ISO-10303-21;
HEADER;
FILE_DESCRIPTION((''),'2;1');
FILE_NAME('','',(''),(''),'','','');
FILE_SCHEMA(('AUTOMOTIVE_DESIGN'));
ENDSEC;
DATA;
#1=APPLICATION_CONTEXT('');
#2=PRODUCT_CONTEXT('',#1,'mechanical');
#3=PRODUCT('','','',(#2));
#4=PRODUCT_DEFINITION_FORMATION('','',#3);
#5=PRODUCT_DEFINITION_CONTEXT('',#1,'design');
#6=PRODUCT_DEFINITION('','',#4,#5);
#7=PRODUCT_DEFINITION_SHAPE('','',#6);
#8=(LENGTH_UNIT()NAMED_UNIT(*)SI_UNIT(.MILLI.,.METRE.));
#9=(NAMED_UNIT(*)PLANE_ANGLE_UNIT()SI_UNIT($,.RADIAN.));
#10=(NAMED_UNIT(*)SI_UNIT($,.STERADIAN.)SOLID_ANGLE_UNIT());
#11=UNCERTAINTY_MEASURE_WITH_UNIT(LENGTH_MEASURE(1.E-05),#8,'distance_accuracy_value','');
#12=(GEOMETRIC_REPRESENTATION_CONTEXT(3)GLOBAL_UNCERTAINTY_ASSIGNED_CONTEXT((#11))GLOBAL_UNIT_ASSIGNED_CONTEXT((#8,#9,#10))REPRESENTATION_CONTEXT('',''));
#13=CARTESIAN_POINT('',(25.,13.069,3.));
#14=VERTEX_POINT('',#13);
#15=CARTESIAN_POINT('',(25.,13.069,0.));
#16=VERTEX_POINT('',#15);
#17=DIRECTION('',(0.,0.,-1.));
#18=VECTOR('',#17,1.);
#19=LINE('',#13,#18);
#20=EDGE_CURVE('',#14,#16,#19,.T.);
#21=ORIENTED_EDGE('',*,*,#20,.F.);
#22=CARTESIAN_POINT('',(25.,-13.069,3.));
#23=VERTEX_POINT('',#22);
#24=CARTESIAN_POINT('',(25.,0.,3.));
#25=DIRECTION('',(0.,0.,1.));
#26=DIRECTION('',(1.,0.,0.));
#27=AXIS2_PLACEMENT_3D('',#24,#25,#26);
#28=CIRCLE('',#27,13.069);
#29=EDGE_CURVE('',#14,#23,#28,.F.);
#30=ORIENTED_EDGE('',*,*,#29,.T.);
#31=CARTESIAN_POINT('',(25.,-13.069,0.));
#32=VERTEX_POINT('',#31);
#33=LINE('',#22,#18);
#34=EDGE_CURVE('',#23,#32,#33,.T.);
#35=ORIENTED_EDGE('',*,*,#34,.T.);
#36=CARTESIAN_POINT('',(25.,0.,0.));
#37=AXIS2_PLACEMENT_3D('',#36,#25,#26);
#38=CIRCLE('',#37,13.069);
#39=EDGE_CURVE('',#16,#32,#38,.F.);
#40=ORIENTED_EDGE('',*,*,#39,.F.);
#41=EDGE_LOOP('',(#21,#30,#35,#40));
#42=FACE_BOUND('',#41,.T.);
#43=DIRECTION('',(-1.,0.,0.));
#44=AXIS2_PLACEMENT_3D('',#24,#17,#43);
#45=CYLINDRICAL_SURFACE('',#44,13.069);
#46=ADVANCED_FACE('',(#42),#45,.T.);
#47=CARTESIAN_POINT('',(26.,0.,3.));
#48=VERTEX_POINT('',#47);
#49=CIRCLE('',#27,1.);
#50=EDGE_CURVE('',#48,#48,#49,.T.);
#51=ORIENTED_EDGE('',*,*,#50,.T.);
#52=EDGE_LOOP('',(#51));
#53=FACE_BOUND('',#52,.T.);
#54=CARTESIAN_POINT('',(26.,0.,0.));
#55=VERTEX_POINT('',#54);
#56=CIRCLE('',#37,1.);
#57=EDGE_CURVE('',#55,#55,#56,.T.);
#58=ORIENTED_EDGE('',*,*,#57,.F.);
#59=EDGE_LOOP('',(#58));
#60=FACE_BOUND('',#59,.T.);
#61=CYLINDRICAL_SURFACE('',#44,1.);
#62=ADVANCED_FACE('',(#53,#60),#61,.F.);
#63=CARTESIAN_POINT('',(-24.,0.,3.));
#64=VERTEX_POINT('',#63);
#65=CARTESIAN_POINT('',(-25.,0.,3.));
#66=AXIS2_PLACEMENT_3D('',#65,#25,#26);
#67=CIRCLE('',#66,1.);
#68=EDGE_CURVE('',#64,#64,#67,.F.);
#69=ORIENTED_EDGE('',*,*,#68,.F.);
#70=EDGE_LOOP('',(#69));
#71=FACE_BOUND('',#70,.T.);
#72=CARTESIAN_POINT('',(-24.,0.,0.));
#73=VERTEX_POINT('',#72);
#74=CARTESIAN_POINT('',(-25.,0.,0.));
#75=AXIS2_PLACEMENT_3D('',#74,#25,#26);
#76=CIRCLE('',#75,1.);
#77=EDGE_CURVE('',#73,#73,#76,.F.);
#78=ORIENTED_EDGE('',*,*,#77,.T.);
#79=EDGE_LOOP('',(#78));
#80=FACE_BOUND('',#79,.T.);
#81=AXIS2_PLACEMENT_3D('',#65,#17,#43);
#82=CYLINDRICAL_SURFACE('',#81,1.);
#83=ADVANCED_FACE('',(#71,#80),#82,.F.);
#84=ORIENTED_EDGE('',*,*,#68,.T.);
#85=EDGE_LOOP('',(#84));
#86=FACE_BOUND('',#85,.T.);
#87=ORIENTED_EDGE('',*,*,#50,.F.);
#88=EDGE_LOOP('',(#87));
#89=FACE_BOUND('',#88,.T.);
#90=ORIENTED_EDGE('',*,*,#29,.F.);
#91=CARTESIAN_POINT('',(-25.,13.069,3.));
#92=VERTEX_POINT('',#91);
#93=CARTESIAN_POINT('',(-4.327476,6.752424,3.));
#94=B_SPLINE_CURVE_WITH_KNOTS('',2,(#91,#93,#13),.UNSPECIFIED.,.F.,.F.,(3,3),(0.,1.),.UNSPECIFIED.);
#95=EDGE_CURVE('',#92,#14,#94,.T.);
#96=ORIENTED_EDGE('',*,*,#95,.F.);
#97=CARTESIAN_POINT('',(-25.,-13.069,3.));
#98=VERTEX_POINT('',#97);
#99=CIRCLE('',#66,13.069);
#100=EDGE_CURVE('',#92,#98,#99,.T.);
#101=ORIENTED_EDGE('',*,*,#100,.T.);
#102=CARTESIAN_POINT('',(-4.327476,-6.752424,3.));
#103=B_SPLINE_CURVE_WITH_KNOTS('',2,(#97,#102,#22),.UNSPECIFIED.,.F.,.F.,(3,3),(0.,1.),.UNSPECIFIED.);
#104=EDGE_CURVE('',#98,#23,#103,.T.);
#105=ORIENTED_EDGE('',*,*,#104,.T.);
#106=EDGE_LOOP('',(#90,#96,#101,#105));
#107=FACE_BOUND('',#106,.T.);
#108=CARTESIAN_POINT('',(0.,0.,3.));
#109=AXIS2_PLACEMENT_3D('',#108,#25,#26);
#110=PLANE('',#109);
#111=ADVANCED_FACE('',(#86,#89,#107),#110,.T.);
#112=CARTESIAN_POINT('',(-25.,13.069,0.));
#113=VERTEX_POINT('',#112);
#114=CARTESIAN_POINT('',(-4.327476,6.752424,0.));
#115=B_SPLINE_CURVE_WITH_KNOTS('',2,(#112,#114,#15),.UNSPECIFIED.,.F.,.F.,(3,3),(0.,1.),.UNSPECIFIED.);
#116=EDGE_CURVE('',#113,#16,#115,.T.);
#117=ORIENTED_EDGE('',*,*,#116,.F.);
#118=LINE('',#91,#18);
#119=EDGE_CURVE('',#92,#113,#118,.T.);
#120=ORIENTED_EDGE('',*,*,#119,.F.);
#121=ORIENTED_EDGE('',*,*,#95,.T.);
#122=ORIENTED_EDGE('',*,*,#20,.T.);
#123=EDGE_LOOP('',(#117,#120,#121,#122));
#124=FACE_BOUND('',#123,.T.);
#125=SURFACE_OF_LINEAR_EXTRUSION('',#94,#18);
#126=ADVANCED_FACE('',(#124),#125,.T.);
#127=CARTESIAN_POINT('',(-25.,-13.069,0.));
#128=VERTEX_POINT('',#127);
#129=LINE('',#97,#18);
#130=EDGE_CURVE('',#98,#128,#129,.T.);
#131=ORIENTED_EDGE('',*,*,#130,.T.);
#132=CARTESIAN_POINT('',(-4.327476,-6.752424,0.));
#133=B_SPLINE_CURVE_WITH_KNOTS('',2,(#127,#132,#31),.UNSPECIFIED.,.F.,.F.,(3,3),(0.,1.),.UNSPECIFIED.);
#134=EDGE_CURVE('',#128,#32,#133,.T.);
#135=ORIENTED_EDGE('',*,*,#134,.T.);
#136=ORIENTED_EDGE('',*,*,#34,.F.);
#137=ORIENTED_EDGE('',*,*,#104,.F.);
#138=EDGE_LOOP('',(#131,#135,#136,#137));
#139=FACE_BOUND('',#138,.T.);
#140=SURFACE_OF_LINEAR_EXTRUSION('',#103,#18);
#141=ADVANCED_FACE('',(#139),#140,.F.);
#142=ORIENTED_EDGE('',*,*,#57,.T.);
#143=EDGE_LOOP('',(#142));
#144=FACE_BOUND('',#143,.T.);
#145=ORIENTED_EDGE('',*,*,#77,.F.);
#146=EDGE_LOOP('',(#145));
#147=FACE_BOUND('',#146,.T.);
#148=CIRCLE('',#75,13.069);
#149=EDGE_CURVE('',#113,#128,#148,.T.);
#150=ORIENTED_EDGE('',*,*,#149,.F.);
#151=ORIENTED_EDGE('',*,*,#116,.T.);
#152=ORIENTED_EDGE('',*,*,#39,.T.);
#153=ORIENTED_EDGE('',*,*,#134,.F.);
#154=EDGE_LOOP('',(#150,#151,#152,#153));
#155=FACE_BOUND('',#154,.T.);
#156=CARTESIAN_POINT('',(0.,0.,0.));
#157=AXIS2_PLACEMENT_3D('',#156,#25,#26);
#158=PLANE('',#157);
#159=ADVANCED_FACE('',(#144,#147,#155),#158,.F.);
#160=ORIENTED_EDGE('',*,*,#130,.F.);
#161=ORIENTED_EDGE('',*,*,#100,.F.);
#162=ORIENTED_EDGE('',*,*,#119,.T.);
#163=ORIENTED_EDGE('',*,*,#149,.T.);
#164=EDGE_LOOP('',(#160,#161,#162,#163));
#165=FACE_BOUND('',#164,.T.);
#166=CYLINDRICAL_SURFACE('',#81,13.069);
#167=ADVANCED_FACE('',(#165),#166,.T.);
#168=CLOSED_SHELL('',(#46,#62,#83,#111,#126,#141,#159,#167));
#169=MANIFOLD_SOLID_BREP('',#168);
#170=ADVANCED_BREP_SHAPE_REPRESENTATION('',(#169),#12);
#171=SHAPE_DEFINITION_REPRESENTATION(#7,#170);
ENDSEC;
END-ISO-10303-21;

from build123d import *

# Parameters (mm, degrees)
SKETCH1_R           = 1
BOSS_EXTRUDE1_DEPTH = 3


with BuildPart() as part:
    # Sketch1 → Boss-Extrude1 (new body)
    # profile 1 of 6: a face of its own
    with BuildSketch(Plane.XY):
        with BuildLine():
            ThreePointArc((-24.781290204, -3.3929583), (-28.4, 0), (-24.781290204, 3.3929583))
            Line((-24.781290204, 3.3929583), (-12.188441083, 2.581224344))
            ThreePointArc((-12.188441083, 2.581224344), (-14.492522891, 7.771208774), (-18.780288742, 11.494083385))
            add(Edge.make_bspline(
                [(-25, 13.069), (-21.982355601, 12.146946089), (-18.780288742, 11.494083385)],
                knots=[0, 0, 0, 0.145973682, 0.145973682, 0.145973682], degree=2))
            ThreePointArc((-25, 13.069), (-38.069, 0), (-25, -13.069))
            add(Edge.make_bspline(
                [(-25, -13.069), (-21.982355601, -12.146946089), (-18.780288742, -11.494083385)],
                knots=[0, 0, 0, 0.145973682, 0.145973682, 0.145973682], degree=2))
            ThreePointArc((-18.780288742, -11.494083385), (-14.492522891, -7.771208774), (-12.188441083, -2.581224344))
            Line((-12.188441083, -2.581224344), (-24.781290204, -3.3929583))
        make_face()
    # profile 2 of 6: a face of its own
    with BuildSketch(Plane.XY):
        with BuildLine():
            ThreePointArc((-18.780288742, 11.494083385), (-14.492522891, 7.771208774), (-12.188441083, 2.581224344))
            Line((-12.188441083, 2.581224344), (-3.107347179, 1.995857823))
            ThreePointArc((-3.107347179, 1.995857823), (-1.236, 0), (-3.107347179, -1.995857823))
            Line((-3.107347179, -1.995857823), (-12.188441083, -2.581224344))
            ThreePointArc((-12.188441083, -2.581224344), (-14.492522891, -7.771208774), (-18.780288742, -11.494083385))
            add(Edge.make_bspline(
                [(-18.780288742, -11.494083385), (-1.944343038, -8.061437688), (19.989933944, -12.070542619)],
                knots=[0.145973682, 0.145973682, 0.145973682, 0.91347951, 0.91347951, 0.91347951], degree=2))
            ThreePointArc((19.989933944, -12.070542619), (14.904735293, -8.299662132), (12.188441083, -2.581224344))
            Line((12.188441083, -2.581224344), (3.107347179, -1.995857823))
            ThreePointArc((3.107347179, -1.995857823), (1.236, 0), (3.107347179, 1.995857823))
            Line((3.107347179, 1.995857823), (12.188441083, 2.581224344))
            ThreePointArc((12.188441083, 2.581224344), (14.904735293, 8.299662132), (19.989933944, 12.070542619))
            add(Edge.make_bspline(
                [(-18.780288742, 11.494083385), (-1.944343038, 8.061437688), (19.989933944, 12.070542619)],
                knots=[0.145973682, 0.145973682, 0.145973682, 0.91347951, 0.91347951, 0.91347951], degree=2))
        make_face()
    # profile 3 of 6: a face of its own
    with BuildSketch(Plane.XY):
        with BuildLine():
            add(Edge.make_bspline(
                [(19.989933944, 12.070542619), (22.462572371, 12.522486712), (25, 13.069)],
                knots=[0.91347951, 0.91347951, 0.91347951, 1, 1, 1], degree=2))
            ThreePointArc((19.989933944, 12.070542619), (14.904735293, 8.299662132), (12.188441083, 2.581224344))
            Line((12.188441083, 2.581224344), (24.781290204, 3.3929583))
            ThreePointArc((24.781290204, 3.3929583), (28.4, 0), (24.781290204, -3.3929583))
            Line((24.781290204, -3.3929583), (12.188441083, -2.581224344))
            ThreePointArc((12.188441083, -2.581224344), (14.904735293, -8.299662132), (19.989933944, -12.070542619))
            add(Edge.make_bspline(
                [(19.989933944, -12.070542619), (22.462572371, -12.522486712), (25, -13.069)],
                knots=[0.91347951, 0.91347951, 0.91347951, 1, 1, 1], degree=2))
            ThreePointArc((25, -13.069), (34.241178523, -9.241178523), (38.069, 0))
            ThreePointArc((38.069, 0), (34.241178523, 9.241178523), (25, 13.069))
        make_face()
    # profile 4 of 6: a face of its own
    with BuildSketch(Plane.XY):
        with BuildLine():
            Line((24.781290204, 3.3929583), (12.188441083, 2.581224344))
            ThreePointArc((12.188441083, 2.581224344), (11.931, 0), (12.188441083, -2.581224344))
            Line((12.188441083, -2.581224344), (24.781290204, -3.3929583))
            ThreePointArc((24.781290204, -3.3929583), (28.4, 0), (24.781290204, 3.3929583))
        make_face()
        with Locations((25, 0)):
            Circle(SKETCH1_R, mode=Mode.SUBTRACT)
    # profile 5 of 6: a face of its own
    with BuildSketch(Plane.XY):
        with BuildLine():
            ThreePointArc((12.188441083, -2.581224344), (11.931, 0), (12.188441083, 2.581224344))
            Line((12.188441083, 2.581224344), (3.107347179, 1.995857823))
            ThreePointArc((3.107347179, 1.995857823), (1.236, 0), (3.107347179, -1.995857823))
            Line((3.107347179, -1.995857823), (12.188441083, -2.581224344))
        make_face()
    # profile 6 of 6: a face of its own
    with BuildSketch(Plane.XY):
        with BuildLine():
            Line((-24.781290204, -3.3929583), (-3.107347179, -1.995857823))
            ThreePointArc((-3.107347179, -1.995857823), (-1.236, 0), (-3.107347179, 1.995857823))
            Line((-3.107347179, 1.995857823), (-24.781290204, 3.3929583))
            ThreePointArc((-24.781290204, 3.3929583), (-28.4, 0), (-24.781290204, -3.3929583))
        make_face()
        with Locations((-25, 0)):
            Circle(SKETCH1_R, mode=Mode.SUBTRACT)
    extrude(amount=BOSS_EXTRUDE1_DEPTH)


solid = part.part
